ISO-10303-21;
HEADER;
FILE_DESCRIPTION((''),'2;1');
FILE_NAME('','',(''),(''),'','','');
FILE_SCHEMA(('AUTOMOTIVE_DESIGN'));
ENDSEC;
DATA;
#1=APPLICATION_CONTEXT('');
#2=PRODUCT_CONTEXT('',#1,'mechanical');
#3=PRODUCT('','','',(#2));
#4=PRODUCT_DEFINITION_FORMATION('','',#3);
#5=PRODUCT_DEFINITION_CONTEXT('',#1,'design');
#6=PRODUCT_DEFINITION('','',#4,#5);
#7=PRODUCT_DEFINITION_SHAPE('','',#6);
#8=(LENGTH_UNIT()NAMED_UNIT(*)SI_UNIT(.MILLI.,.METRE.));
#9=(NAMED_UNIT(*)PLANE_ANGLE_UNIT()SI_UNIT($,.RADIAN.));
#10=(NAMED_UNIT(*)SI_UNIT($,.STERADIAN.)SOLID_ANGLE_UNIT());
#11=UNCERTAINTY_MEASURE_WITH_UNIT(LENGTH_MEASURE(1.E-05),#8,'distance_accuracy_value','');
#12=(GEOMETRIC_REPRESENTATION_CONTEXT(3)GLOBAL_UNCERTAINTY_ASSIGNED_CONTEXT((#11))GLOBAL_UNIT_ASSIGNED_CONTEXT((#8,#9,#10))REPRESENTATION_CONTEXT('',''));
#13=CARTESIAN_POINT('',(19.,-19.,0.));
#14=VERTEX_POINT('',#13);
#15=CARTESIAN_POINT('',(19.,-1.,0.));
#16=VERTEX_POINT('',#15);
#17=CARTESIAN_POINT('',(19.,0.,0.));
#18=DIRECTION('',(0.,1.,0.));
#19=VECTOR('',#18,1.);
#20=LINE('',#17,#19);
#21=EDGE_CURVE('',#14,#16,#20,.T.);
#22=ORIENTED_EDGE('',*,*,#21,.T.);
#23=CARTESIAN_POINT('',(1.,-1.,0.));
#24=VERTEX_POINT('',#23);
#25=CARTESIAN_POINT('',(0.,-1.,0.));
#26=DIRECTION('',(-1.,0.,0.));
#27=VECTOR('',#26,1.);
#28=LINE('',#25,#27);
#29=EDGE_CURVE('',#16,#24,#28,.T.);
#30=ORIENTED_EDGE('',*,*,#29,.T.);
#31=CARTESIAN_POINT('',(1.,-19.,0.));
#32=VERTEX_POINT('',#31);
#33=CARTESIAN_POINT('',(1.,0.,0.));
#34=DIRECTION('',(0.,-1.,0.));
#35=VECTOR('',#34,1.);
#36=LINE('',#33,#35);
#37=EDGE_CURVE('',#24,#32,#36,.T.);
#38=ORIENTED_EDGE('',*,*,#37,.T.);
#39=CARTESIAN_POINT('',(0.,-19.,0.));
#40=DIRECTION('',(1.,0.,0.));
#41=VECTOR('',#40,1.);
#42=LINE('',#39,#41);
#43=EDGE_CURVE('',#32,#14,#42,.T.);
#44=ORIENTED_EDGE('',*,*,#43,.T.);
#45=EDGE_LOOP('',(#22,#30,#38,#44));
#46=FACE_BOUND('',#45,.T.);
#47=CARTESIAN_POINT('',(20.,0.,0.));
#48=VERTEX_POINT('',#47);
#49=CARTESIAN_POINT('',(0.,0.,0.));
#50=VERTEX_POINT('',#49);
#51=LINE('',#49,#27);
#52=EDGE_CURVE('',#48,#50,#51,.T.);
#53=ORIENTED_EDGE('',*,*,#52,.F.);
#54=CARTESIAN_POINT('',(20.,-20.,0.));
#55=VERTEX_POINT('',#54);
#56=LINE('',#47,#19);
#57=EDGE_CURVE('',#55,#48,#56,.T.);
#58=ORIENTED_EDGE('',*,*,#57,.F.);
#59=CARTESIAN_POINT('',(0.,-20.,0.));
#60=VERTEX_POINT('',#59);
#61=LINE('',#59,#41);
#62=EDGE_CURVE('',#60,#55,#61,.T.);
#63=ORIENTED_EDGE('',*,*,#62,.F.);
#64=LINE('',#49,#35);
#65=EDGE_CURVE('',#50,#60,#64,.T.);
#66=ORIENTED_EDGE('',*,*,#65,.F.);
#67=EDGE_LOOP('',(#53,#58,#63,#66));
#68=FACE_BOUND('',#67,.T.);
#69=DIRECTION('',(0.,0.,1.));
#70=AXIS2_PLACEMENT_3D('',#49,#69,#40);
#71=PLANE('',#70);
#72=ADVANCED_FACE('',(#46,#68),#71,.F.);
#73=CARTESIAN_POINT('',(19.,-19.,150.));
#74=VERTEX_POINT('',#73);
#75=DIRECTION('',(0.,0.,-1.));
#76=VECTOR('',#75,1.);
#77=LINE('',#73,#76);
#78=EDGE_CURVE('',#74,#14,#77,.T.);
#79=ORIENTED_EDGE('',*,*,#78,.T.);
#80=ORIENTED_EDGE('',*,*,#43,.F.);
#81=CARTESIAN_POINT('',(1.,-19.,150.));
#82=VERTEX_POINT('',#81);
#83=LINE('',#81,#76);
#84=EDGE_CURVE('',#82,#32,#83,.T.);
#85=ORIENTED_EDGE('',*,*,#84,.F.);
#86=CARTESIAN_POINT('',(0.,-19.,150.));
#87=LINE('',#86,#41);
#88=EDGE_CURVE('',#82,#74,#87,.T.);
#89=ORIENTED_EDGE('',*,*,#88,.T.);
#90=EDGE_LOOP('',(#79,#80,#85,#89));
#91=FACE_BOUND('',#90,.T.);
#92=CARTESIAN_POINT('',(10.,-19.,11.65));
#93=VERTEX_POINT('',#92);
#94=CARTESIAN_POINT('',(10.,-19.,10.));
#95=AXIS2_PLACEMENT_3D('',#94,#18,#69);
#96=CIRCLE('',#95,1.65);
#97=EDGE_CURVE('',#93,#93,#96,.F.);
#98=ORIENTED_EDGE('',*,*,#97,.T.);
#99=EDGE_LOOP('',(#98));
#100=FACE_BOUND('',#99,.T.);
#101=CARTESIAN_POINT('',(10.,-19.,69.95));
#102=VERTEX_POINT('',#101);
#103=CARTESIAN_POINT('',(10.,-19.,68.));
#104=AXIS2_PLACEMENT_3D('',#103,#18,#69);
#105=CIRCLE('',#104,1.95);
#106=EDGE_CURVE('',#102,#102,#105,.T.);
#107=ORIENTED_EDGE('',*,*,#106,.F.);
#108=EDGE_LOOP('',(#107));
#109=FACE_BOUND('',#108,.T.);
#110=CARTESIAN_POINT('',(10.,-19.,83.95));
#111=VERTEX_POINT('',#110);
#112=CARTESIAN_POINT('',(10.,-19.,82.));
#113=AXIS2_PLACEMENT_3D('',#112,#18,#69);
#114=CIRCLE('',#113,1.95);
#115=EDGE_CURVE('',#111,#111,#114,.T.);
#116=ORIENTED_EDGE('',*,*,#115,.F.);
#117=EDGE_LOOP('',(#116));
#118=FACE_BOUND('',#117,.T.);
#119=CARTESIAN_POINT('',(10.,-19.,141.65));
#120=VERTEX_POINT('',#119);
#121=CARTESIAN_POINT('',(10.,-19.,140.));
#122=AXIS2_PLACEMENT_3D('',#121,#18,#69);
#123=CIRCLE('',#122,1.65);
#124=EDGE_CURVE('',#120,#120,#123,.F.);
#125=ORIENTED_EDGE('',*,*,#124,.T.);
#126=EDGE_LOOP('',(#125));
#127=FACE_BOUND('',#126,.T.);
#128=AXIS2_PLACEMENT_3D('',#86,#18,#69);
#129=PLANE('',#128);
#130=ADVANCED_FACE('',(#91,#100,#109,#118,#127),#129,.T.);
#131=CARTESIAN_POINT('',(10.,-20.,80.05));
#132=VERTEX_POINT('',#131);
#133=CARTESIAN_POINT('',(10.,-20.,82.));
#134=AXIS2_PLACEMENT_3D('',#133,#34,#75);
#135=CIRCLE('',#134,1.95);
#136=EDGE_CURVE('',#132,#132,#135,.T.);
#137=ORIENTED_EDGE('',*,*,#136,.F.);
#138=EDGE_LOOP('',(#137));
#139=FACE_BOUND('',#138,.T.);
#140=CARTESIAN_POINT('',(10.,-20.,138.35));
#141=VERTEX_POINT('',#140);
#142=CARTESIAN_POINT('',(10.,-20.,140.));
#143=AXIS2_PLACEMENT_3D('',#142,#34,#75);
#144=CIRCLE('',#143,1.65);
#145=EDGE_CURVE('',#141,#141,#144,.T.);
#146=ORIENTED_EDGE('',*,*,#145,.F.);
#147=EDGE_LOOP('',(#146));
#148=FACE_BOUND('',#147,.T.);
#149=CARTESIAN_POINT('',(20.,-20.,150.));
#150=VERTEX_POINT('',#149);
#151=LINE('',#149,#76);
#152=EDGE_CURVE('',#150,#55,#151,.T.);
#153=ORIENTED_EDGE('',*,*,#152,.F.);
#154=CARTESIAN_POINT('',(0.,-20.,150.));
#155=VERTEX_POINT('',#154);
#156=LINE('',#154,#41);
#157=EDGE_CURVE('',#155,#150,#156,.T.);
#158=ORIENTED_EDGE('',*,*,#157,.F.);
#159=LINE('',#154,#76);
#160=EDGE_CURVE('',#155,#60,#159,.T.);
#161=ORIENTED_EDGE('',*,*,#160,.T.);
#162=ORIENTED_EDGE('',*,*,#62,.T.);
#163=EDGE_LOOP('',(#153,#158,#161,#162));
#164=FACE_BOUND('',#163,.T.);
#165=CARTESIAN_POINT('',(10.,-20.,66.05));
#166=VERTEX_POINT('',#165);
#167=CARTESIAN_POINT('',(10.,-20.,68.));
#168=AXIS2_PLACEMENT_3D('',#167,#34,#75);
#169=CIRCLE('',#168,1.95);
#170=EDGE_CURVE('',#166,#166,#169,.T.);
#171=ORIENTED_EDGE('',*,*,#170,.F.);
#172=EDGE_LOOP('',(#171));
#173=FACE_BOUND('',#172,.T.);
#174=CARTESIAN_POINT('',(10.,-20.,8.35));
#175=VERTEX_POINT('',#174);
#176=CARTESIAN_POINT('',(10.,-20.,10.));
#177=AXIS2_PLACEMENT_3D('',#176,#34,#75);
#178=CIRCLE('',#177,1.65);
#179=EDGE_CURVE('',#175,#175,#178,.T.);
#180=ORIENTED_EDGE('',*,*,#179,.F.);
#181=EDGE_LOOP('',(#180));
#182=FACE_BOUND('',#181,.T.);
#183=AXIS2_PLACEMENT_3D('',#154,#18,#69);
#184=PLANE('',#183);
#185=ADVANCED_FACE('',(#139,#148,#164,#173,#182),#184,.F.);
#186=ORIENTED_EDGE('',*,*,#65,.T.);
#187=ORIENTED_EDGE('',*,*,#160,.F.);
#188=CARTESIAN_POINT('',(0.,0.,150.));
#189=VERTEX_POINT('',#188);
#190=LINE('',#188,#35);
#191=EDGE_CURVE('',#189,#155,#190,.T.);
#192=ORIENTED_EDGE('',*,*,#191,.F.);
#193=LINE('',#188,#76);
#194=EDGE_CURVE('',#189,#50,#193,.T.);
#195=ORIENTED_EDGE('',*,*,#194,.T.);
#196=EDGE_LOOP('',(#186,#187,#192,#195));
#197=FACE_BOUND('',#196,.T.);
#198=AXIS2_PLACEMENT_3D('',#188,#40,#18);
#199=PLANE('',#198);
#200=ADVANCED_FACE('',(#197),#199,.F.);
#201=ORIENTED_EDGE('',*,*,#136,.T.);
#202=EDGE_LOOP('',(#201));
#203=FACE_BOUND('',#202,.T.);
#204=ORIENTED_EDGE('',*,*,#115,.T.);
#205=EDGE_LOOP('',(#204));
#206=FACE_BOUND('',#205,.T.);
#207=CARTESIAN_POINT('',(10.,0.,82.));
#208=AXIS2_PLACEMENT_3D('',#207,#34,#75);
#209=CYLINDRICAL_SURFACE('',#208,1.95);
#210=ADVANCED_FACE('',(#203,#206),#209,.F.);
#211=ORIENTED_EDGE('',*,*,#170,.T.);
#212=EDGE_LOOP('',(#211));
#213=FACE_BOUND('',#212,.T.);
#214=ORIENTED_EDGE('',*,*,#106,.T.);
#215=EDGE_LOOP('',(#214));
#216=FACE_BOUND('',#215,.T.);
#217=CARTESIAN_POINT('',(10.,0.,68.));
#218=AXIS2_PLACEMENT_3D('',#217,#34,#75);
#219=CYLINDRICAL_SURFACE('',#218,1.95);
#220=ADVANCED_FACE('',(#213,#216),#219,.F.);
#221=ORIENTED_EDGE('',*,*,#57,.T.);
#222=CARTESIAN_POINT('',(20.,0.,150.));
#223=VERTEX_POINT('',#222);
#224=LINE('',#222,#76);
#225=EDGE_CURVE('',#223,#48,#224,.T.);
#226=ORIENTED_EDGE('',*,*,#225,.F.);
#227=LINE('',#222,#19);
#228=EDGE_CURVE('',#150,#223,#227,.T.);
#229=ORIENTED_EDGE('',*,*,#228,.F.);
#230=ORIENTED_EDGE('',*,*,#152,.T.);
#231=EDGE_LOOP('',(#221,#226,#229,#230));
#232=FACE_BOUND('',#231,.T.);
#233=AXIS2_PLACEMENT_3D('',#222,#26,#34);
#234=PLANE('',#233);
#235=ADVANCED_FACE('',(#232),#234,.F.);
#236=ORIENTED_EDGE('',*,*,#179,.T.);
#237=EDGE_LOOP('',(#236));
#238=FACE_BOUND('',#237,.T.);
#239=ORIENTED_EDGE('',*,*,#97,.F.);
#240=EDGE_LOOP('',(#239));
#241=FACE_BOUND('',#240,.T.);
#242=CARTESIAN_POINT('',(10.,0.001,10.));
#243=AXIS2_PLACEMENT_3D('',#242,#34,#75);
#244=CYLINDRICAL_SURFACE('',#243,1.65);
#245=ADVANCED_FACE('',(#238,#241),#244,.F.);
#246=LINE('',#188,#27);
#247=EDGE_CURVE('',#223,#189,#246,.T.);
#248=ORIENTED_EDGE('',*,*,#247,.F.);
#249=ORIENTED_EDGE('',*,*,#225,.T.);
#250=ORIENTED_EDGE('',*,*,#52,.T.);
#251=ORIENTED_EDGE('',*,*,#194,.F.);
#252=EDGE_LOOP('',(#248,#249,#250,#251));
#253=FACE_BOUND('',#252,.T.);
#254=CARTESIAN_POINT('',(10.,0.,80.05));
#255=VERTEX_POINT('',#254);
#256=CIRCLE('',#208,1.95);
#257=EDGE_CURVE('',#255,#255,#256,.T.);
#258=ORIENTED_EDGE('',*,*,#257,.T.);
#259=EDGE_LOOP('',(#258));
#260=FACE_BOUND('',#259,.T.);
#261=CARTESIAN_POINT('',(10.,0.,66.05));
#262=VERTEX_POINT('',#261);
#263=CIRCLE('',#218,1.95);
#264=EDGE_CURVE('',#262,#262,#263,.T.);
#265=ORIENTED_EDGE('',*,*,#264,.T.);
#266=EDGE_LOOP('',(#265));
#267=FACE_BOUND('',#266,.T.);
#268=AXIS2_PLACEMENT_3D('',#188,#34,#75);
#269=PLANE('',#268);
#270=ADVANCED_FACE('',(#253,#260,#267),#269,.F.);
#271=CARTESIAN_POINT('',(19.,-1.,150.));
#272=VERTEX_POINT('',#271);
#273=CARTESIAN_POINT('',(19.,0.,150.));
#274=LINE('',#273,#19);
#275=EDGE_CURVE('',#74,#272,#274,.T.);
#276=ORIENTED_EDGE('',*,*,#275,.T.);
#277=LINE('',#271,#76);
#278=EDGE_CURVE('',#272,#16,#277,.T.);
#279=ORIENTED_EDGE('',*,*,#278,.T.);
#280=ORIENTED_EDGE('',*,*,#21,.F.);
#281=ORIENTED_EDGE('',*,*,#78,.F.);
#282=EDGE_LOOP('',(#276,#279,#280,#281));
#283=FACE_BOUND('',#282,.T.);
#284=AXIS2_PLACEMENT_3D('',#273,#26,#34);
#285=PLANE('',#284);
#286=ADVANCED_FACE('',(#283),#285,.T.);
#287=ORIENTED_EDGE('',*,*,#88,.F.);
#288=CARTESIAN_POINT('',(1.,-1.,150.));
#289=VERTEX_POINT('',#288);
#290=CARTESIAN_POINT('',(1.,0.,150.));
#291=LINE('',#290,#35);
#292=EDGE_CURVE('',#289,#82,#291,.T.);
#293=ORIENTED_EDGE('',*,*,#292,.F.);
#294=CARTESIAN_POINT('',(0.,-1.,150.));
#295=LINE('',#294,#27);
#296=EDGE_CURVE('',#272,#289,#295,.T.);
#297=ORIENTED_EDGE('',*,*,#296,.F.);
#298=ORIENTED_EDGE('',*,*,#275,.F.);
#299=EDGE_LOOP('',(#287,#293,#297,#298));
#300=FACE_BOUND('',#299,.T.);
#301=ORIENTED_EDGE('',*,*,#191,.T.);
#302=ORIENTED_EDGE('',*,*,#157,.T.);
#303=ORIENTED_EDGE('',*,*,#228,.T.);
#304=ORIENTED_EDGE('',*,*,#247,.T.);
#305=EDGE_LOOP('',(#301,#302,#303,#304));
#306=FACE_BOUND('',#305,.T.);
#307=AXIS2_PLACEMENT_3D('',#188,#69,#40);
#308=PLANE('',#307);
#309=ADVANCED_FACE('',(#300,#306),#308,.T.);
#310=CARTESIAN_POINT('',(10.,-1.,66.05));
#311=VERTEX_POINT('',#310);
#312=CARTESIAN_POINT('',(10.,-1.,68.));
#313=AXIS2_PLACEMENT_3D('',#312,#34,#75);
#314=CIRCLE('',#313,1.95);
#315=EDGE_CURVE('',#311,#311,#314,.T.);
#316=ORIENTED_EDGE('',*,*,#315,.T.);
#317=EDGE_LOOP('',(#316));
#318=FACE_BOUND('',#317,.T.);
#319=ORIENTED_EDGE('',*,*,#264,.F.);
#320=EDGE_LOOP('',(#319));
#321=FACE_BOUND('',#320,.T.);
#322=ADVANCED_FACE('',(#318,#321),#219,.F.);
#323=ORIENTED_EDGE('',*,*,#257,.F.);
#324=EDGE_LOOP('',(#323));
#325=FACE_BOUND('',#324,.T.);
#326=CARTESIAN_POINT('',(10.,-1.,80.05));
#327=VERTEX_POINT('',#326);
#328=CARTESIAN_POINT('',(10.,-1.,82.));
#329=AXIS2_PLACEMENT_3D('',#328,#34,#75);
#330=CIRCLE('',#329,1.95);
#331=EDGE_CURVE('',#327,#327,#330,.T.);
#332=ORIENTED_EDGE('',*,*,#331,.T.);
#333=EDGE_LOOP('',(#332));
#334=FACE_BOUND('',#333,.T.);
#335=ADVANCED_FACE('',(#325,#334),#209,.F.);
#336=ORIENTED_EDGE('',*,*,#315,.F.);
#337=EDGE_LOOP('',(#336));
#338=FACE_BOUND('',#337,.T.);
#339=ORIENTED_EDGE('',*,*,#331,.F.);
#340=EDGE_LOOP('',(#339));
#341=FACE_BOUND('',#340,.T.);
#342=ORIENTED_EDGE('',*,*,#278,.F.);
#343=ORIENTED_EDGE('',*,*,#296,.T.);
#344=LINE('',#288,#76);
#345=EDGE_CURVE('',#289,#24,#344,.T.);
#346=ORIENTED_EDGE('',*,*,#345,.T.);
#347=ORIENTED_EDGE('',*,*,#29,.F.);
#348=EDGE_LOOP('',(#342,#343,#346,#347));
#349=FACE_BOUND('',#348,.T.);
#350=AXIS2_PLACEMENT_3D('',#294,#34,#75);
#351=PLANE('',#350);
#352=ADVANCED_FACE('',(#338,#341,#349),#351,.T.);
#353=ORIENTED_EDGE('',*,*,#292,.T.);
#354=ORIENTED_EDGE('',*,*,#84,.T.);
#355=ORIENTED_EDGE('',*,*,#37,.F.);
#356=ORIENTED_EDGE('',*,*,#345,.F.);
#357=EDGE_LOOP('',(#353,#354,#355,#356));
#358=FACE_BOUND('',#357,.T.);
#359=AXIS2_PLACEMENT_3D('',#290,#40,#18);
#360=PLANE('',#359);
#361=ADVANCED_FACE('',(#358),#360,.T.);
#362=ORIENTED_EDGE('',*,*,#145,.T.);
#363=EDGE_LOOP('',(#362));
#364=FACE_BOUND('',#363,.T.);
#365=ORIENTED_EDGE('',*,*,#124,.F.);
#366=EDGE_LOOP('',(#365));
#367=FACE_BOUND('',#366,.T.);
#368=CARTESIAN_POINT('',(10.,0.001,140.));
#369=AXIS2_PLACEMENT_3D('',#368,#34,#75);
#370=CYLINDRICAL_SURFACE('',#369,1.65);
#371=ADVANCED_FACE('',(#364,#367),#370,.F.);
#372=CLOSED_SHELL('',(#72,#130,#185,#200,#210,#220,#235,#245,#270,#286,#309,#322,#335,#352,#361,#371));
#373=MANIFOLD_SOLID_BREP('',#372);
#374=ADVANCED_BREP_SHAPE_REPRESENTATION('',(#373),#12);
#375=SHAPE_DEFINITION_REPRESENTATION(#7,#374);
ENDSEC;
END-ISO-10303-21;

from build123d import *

# Parameters (mm, degrees)
SKETCH_1_W          = 20
SKETCH_1_H          = 20
SKETCH_1_W_2        = 18
SKETCH_1_H_2        = 18
EXTRUDE_1_DEPTH     = 150
SKETCH_3_R          = 1.95
CUT_EXTRUDE_2_DEPTH = 153.643375225
CUT_EXTRUDE_3_REACH = 154.643
SKETCH_4_R          = 1.65


with BuildPart() as part:
    # 草图1 → 拉伸-薄壁1 (new body)
    with BuildSketch(Plane.XY):
        with Locations((10, -10)):
            Rectangle(SKETCH_1_W, SKETCH_1_H)
        with Locations((10, -10)):
            Rectangle(SKETCH_1_W_2, SKETCH_1_H_2, mode=Mode.SUBTRACT)
    extrude(amount=EXTRUDE_1_DEPTH)

    # 草图3 → 切除-拉伸2 (cut, through all)
    with BuildSketch(Plane.XZ.offset(20)):
        with Locations(Location((10, 82, 0), (0, 0, 270))):
            Circle(SKETCH_3_R)
        with Locations(Location((10, 68, 0), (0, 0, 270))):
            Circle(SKETCH_3_R)
    extrude(amount=-CUT_EXTRUDE_2_DEPTH, mode=Mode.SUBTRACT)

    # 草图4 → 切除-拉伸3 (cut, up to next)
    with BuildSketch(Plane.XZ.offset(20), mode=Mode.PRIVATE) as cut_extrude_3_sk1:
        with Locations(Location((10, 140, 0), (0, 0, 270))):
            Circle(SKETCH_4_R)
    cut_extrude_3_tool1 = extrude(cut_extrude_3_sk1.sketch, amount=-CUT_EXTRUDE_3_REACH, mode=Mode.PRIVATE) & part.part
    # 草图4 → 切除-拉伸3 (cut, up to next)
    with BuildSketch(Plane.XZ.offset(20), mode=Mode.PRIVATE) as cut_extrude_3_sk2:
        with Locations(Location((10, 10, 0), (0, 0, 270))):
            Circle(SKETCH_4_R)
    cut_extrude_3_tool2 = extrude(cut_extrude_3_sk2.sketch, amount=-CUT_EXTRUDE_3_REACH, mode=Mode.PRIVATE) & part.part
    add(cut_extrude_3_tool1.solids().sort_by_distance((10, -20, 140))[0], mode=Mode.SUBTRACT)
    add(cut_extrude_3_tool2.solids().sort_by_distance((10, -20, 10))[0], mode=Mode.SUBTRACT)


solid = part.part
